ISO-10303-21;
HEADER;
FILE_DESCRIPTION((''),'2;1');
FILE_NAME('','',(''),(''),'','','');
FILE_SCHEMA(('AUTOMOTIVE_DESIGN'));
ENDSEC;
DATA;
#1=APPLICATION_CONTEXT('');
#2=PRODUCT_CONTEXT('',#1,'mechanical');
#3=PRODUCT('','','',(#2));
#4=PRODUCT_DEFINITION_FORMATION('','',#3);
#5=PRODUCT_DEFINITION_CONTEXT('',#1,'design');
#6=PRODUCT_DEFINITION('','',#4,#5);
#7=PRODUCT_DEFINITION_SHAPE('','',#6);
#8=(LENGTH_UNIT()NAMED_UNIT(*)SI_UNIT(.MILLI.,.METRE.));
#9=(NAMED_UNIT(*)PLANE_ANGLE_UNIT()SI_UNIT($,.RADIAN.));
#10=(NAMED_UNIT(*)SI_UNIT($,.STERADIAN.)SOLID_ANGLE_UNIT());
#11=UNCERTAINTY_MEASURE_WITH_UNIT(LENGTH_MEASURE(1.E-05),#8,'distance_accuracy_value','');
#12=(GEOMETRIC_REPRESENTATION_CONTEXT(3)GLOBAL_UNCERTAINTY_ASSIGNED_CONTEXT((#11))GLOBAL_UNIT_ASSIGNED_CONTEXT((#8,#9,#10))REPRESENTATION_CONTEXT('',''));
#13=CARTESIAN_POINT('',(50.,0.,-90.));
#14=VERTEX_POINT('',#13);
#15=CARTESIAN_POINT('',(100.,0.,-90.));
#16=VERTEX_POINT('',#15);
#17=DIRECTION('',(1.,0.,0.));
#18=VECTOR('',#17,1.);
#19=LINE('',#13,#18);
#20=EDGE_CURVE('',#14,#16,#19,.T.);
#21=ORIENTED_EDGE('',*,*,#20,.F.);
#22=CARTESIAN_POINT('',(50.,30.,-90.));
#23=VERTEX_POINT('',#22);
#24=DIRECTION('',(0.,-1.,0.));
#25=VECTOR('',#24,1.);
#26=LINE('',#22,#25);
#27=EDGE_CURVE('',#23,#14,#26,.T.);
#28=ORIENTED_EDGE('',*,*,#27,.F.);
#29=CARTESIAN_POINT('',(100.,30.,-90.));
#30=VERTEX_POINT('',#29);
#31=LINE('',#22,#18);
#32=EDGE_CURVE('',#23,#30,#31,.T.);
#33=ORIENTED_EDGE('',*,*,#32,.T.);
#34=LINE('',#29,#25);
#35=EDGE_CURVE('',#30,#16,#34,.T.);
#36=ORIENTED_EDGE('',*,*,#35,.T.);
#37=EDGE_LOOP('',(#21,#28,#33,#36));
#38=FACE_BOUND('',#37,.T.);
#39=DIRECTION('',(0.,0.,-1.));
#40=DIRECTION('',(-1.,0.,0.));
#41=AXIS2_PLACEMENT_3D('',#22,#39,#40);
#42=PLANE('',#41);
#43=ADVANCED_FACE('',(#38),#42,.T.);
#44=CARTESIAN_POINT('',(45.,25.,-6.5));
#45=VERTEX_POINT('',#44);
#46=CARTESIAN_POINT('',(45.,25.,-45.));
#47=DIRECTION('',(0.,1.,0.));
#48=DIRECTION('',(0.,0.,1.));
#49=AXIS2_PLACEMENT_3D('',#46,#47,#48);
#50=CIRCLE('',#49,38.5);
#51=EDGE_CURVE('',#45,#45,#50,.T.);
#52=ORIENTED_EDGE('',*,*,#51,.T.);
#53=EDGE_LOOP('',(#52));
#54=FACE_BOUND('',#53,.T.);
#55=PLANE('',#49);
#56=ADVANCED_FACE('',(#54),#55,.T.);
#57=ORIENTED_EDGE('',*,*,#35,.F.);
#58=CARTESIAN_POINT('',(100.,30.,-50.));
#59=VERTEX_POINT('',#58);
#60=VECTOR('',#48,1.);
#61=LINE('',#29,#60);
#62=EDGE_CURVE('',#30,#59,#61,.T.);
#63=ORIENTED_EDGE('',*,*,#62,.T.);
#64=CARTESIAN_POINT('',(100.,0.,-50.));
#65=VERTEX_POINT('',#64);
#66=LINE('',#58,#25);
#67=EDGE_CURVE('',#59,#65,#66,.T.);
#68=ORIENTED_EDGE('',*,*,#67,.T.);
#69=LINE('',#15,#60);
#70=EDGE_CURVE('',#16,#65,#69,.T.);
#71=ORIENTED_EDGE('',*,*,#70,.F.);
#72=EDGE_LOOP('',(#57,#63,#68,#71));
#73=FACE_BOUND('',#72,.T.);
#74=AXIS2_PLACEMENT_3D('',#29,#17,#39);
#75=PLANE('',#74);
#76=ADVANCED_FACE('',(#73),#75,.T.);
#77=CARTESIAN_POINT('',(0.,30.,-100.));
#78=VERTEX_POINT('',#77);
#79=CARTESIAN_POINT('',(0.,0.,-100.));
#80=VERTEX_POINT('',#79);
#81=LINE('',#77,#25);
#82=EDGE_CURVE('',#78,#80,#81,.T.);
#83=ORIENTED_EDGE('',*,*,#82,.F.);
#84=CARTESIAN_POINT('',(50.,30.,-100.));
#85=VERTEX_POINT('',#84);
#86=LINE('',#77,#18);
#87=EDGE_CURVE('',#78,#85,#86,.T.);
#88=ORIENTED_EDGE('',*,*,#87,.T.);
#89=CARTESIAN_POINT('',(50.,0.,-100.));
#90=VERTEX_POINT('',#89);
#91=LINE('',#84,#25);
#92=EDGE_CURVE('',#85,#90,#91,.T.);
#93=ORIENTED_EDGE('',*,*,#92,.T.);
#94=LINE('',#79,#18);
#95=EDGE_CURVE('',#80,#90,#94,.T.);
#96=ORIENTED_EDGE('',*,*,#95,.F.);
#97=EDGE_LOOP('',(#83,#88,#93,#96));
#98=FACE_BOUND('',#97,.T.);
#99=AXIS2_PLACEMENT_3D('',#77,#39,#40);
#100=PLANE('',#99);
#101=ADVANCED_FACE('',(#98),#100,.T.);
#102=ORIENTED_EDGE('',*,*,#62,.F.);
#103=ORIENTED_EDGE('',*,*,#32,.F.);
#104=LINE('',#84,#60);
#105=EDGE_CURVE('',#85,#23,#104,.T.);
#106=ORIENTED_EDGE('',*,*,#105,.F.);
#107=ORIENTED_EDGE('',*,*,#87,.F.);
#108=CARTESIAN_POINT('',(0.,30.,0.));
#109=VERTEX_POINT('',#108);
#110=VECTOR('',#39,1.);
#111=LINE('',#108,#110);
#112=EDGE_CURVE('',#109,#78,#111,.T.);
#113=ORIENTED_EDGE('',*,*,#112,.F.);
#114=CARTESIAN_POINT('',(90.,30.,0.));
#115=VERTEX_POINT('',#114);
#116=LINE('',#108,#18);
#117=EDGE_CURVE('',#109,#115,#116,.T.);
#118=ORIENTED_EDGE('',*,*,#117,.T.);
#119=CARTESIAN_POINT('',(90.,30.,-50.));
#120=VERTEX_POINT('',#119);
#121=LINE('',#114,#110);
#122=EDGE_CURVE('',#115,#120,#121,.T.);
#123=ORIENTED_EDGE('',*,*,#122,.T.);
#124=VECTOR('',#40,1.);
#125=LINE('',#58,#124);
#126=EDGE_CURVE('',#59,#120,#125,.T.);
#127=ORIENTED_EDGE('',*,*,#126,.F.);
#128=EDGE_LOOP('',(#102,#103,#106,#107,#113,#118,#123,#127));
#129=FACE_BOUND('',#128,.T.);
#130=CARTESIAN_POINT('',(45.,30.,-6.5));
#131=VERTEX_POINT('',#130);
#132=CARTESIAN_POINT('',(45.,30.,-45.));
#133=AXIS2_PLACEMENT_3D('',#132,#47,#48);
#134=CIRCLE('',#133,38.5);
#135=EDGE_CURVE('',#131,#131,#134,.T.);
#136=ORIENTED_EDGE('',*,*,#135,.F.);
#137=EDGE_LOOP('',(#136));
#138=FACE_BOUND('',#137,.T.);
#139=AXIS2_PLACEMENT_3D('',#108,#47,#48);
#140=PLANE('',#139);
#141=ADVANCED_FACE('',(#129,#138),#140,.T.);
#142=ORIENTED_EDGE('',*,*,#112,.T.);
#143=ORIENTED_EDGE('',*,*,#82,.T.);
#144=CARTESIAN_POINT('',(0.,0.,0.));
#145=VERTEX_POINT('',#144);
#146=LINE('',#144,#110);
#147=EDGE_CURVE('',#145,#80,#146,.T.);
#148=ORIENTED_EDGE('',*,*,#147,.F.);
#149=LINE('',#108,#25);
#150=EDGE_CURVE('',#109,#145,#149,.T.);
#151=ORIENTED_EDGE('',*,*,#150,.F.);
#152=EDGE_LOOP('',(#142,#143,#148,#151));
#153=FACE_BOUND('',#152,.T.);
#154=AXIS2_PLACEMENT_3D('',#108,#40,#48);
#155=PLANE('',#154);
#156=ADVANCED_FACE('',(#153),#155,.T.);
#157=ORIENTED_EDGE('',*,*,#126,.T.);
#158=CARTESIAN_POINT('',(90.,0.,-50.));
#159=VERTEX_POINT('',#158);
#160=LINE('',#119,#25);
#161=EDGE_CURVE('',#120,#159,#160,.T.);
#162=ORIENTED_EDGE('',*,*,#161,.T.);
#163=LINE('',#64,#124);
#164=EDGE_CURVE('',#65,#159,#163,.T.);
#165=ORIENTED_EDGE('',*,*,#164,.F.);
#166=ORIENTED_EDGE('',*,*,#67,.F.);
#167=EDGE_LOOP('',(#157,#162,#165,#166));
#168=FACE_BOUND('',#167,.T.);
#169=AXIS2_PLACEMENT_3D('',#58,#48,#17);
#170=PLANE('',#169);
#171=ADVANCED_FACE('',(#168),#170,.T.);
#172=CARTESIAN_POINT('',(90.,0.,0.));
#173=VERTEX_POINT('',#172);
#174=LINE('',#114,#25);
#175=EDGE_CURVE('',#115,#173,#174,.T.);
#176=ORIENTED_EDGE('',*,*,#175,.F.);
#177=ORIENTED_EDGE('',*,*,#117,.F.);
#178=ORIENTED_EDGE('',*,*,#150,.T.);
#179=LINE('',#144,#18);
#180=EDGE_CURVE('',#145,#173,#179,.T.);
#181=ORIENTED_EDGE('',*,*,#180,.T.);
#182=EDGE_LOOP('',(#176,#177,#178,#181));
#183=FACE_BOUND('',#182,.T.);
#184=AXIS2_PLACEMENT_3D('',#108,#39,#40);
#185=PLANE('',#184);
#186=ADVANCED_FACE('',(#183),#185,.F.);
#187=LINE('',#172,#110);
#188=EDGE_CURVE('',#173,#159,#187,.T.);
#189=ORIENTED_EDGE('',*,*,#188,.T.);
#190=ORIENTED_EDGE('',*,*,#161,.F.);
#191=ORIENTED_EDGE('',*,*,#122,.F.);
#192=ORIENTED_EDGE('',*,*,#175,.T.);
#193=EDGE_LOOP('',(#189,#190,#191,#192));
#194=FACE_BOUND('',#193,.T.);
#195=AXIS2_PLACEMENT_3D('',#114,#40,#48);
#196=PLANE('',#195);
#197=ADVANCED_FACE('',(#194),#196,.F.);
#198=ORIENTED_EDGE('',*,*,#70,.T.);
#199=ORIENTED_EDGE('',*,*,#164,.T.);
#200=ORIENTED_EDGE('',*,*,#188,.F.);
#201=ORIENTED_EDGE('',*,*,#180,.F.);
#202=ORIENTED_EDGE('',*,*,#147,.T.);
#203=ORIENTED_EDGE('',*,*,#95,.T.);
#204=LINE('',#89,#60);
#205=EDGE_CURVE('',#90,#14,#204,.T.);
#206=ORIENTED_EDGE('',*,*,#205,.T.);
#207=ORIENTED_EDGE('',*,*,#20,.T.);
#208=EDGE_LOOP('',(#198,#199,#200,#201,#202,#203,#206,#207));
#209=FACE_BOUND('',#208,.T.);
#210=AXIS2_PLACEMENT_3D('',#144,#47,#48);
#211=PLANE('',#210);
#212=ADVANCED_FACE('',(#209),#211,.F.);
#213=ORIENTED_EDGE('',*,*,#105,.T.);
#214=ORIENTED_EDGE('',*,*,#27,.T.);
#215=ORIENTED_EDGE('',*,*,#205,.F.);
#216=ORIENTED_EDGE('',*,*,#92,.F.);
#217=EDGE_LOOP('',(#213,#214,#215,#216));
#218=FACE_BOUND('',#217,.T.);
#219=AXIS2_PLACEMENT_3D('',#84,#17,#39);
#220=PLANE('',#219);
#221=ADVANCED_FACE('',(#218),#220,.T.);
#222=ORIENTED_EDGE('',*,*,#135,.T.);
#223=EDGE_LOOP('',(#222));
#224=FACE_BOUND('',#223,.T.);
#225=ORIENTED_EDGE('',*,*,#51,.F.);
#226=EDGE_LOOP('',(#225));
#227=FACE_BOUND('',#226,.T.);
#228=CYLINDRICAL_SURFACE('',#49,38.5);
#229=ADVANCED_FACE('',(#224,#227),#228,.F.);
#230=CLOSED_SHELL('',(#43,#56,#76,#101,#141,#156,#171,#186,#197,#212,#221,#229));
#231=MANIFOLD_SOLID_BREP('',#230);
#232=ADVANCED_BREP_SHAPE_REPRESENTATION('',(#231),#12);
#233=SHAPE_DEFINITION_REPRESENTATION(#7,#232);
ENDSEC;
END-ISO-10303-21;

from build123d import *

# Parameters (mm, degrees)
BOSS_EXTRUDE2_DEPTH = 30
SKETCH2_R           = 38.5
CUT_EXTRUDE2_DEPTH  = 5


with BuildPart() as part:
    # Sketch1 → Boss-Extrude2 (new body)
    with BuildSketch(Plane(origin=(0, 0, 0), x_dir=(1, 0, 0), z_dir=(0, 1, 0))):
        Polygon((50, 100), (50, 90), (100, 90), (100, 50), (90, 50), (90, 0), (0, 0), (0, 100), align=None)
    extrude(amount=BOSS_EXTRUDE2_DEPTH)

    # Sketch2 → Cut-Extrude2 (cut)
    with BuildSketch(Plane(origin=(0, 30, 0), x_dir=(1, 0, 0), z_dir=(0, 1, 0))):
        with Locations(Location((45, 45, 0), (0, 0, 270))):
            Circle(SKETCH2_R)
    extrude(amount=-CUT_EXTRUDE2_DEPTH, mode=Mode.SUBTRACT)


solid = part.part
